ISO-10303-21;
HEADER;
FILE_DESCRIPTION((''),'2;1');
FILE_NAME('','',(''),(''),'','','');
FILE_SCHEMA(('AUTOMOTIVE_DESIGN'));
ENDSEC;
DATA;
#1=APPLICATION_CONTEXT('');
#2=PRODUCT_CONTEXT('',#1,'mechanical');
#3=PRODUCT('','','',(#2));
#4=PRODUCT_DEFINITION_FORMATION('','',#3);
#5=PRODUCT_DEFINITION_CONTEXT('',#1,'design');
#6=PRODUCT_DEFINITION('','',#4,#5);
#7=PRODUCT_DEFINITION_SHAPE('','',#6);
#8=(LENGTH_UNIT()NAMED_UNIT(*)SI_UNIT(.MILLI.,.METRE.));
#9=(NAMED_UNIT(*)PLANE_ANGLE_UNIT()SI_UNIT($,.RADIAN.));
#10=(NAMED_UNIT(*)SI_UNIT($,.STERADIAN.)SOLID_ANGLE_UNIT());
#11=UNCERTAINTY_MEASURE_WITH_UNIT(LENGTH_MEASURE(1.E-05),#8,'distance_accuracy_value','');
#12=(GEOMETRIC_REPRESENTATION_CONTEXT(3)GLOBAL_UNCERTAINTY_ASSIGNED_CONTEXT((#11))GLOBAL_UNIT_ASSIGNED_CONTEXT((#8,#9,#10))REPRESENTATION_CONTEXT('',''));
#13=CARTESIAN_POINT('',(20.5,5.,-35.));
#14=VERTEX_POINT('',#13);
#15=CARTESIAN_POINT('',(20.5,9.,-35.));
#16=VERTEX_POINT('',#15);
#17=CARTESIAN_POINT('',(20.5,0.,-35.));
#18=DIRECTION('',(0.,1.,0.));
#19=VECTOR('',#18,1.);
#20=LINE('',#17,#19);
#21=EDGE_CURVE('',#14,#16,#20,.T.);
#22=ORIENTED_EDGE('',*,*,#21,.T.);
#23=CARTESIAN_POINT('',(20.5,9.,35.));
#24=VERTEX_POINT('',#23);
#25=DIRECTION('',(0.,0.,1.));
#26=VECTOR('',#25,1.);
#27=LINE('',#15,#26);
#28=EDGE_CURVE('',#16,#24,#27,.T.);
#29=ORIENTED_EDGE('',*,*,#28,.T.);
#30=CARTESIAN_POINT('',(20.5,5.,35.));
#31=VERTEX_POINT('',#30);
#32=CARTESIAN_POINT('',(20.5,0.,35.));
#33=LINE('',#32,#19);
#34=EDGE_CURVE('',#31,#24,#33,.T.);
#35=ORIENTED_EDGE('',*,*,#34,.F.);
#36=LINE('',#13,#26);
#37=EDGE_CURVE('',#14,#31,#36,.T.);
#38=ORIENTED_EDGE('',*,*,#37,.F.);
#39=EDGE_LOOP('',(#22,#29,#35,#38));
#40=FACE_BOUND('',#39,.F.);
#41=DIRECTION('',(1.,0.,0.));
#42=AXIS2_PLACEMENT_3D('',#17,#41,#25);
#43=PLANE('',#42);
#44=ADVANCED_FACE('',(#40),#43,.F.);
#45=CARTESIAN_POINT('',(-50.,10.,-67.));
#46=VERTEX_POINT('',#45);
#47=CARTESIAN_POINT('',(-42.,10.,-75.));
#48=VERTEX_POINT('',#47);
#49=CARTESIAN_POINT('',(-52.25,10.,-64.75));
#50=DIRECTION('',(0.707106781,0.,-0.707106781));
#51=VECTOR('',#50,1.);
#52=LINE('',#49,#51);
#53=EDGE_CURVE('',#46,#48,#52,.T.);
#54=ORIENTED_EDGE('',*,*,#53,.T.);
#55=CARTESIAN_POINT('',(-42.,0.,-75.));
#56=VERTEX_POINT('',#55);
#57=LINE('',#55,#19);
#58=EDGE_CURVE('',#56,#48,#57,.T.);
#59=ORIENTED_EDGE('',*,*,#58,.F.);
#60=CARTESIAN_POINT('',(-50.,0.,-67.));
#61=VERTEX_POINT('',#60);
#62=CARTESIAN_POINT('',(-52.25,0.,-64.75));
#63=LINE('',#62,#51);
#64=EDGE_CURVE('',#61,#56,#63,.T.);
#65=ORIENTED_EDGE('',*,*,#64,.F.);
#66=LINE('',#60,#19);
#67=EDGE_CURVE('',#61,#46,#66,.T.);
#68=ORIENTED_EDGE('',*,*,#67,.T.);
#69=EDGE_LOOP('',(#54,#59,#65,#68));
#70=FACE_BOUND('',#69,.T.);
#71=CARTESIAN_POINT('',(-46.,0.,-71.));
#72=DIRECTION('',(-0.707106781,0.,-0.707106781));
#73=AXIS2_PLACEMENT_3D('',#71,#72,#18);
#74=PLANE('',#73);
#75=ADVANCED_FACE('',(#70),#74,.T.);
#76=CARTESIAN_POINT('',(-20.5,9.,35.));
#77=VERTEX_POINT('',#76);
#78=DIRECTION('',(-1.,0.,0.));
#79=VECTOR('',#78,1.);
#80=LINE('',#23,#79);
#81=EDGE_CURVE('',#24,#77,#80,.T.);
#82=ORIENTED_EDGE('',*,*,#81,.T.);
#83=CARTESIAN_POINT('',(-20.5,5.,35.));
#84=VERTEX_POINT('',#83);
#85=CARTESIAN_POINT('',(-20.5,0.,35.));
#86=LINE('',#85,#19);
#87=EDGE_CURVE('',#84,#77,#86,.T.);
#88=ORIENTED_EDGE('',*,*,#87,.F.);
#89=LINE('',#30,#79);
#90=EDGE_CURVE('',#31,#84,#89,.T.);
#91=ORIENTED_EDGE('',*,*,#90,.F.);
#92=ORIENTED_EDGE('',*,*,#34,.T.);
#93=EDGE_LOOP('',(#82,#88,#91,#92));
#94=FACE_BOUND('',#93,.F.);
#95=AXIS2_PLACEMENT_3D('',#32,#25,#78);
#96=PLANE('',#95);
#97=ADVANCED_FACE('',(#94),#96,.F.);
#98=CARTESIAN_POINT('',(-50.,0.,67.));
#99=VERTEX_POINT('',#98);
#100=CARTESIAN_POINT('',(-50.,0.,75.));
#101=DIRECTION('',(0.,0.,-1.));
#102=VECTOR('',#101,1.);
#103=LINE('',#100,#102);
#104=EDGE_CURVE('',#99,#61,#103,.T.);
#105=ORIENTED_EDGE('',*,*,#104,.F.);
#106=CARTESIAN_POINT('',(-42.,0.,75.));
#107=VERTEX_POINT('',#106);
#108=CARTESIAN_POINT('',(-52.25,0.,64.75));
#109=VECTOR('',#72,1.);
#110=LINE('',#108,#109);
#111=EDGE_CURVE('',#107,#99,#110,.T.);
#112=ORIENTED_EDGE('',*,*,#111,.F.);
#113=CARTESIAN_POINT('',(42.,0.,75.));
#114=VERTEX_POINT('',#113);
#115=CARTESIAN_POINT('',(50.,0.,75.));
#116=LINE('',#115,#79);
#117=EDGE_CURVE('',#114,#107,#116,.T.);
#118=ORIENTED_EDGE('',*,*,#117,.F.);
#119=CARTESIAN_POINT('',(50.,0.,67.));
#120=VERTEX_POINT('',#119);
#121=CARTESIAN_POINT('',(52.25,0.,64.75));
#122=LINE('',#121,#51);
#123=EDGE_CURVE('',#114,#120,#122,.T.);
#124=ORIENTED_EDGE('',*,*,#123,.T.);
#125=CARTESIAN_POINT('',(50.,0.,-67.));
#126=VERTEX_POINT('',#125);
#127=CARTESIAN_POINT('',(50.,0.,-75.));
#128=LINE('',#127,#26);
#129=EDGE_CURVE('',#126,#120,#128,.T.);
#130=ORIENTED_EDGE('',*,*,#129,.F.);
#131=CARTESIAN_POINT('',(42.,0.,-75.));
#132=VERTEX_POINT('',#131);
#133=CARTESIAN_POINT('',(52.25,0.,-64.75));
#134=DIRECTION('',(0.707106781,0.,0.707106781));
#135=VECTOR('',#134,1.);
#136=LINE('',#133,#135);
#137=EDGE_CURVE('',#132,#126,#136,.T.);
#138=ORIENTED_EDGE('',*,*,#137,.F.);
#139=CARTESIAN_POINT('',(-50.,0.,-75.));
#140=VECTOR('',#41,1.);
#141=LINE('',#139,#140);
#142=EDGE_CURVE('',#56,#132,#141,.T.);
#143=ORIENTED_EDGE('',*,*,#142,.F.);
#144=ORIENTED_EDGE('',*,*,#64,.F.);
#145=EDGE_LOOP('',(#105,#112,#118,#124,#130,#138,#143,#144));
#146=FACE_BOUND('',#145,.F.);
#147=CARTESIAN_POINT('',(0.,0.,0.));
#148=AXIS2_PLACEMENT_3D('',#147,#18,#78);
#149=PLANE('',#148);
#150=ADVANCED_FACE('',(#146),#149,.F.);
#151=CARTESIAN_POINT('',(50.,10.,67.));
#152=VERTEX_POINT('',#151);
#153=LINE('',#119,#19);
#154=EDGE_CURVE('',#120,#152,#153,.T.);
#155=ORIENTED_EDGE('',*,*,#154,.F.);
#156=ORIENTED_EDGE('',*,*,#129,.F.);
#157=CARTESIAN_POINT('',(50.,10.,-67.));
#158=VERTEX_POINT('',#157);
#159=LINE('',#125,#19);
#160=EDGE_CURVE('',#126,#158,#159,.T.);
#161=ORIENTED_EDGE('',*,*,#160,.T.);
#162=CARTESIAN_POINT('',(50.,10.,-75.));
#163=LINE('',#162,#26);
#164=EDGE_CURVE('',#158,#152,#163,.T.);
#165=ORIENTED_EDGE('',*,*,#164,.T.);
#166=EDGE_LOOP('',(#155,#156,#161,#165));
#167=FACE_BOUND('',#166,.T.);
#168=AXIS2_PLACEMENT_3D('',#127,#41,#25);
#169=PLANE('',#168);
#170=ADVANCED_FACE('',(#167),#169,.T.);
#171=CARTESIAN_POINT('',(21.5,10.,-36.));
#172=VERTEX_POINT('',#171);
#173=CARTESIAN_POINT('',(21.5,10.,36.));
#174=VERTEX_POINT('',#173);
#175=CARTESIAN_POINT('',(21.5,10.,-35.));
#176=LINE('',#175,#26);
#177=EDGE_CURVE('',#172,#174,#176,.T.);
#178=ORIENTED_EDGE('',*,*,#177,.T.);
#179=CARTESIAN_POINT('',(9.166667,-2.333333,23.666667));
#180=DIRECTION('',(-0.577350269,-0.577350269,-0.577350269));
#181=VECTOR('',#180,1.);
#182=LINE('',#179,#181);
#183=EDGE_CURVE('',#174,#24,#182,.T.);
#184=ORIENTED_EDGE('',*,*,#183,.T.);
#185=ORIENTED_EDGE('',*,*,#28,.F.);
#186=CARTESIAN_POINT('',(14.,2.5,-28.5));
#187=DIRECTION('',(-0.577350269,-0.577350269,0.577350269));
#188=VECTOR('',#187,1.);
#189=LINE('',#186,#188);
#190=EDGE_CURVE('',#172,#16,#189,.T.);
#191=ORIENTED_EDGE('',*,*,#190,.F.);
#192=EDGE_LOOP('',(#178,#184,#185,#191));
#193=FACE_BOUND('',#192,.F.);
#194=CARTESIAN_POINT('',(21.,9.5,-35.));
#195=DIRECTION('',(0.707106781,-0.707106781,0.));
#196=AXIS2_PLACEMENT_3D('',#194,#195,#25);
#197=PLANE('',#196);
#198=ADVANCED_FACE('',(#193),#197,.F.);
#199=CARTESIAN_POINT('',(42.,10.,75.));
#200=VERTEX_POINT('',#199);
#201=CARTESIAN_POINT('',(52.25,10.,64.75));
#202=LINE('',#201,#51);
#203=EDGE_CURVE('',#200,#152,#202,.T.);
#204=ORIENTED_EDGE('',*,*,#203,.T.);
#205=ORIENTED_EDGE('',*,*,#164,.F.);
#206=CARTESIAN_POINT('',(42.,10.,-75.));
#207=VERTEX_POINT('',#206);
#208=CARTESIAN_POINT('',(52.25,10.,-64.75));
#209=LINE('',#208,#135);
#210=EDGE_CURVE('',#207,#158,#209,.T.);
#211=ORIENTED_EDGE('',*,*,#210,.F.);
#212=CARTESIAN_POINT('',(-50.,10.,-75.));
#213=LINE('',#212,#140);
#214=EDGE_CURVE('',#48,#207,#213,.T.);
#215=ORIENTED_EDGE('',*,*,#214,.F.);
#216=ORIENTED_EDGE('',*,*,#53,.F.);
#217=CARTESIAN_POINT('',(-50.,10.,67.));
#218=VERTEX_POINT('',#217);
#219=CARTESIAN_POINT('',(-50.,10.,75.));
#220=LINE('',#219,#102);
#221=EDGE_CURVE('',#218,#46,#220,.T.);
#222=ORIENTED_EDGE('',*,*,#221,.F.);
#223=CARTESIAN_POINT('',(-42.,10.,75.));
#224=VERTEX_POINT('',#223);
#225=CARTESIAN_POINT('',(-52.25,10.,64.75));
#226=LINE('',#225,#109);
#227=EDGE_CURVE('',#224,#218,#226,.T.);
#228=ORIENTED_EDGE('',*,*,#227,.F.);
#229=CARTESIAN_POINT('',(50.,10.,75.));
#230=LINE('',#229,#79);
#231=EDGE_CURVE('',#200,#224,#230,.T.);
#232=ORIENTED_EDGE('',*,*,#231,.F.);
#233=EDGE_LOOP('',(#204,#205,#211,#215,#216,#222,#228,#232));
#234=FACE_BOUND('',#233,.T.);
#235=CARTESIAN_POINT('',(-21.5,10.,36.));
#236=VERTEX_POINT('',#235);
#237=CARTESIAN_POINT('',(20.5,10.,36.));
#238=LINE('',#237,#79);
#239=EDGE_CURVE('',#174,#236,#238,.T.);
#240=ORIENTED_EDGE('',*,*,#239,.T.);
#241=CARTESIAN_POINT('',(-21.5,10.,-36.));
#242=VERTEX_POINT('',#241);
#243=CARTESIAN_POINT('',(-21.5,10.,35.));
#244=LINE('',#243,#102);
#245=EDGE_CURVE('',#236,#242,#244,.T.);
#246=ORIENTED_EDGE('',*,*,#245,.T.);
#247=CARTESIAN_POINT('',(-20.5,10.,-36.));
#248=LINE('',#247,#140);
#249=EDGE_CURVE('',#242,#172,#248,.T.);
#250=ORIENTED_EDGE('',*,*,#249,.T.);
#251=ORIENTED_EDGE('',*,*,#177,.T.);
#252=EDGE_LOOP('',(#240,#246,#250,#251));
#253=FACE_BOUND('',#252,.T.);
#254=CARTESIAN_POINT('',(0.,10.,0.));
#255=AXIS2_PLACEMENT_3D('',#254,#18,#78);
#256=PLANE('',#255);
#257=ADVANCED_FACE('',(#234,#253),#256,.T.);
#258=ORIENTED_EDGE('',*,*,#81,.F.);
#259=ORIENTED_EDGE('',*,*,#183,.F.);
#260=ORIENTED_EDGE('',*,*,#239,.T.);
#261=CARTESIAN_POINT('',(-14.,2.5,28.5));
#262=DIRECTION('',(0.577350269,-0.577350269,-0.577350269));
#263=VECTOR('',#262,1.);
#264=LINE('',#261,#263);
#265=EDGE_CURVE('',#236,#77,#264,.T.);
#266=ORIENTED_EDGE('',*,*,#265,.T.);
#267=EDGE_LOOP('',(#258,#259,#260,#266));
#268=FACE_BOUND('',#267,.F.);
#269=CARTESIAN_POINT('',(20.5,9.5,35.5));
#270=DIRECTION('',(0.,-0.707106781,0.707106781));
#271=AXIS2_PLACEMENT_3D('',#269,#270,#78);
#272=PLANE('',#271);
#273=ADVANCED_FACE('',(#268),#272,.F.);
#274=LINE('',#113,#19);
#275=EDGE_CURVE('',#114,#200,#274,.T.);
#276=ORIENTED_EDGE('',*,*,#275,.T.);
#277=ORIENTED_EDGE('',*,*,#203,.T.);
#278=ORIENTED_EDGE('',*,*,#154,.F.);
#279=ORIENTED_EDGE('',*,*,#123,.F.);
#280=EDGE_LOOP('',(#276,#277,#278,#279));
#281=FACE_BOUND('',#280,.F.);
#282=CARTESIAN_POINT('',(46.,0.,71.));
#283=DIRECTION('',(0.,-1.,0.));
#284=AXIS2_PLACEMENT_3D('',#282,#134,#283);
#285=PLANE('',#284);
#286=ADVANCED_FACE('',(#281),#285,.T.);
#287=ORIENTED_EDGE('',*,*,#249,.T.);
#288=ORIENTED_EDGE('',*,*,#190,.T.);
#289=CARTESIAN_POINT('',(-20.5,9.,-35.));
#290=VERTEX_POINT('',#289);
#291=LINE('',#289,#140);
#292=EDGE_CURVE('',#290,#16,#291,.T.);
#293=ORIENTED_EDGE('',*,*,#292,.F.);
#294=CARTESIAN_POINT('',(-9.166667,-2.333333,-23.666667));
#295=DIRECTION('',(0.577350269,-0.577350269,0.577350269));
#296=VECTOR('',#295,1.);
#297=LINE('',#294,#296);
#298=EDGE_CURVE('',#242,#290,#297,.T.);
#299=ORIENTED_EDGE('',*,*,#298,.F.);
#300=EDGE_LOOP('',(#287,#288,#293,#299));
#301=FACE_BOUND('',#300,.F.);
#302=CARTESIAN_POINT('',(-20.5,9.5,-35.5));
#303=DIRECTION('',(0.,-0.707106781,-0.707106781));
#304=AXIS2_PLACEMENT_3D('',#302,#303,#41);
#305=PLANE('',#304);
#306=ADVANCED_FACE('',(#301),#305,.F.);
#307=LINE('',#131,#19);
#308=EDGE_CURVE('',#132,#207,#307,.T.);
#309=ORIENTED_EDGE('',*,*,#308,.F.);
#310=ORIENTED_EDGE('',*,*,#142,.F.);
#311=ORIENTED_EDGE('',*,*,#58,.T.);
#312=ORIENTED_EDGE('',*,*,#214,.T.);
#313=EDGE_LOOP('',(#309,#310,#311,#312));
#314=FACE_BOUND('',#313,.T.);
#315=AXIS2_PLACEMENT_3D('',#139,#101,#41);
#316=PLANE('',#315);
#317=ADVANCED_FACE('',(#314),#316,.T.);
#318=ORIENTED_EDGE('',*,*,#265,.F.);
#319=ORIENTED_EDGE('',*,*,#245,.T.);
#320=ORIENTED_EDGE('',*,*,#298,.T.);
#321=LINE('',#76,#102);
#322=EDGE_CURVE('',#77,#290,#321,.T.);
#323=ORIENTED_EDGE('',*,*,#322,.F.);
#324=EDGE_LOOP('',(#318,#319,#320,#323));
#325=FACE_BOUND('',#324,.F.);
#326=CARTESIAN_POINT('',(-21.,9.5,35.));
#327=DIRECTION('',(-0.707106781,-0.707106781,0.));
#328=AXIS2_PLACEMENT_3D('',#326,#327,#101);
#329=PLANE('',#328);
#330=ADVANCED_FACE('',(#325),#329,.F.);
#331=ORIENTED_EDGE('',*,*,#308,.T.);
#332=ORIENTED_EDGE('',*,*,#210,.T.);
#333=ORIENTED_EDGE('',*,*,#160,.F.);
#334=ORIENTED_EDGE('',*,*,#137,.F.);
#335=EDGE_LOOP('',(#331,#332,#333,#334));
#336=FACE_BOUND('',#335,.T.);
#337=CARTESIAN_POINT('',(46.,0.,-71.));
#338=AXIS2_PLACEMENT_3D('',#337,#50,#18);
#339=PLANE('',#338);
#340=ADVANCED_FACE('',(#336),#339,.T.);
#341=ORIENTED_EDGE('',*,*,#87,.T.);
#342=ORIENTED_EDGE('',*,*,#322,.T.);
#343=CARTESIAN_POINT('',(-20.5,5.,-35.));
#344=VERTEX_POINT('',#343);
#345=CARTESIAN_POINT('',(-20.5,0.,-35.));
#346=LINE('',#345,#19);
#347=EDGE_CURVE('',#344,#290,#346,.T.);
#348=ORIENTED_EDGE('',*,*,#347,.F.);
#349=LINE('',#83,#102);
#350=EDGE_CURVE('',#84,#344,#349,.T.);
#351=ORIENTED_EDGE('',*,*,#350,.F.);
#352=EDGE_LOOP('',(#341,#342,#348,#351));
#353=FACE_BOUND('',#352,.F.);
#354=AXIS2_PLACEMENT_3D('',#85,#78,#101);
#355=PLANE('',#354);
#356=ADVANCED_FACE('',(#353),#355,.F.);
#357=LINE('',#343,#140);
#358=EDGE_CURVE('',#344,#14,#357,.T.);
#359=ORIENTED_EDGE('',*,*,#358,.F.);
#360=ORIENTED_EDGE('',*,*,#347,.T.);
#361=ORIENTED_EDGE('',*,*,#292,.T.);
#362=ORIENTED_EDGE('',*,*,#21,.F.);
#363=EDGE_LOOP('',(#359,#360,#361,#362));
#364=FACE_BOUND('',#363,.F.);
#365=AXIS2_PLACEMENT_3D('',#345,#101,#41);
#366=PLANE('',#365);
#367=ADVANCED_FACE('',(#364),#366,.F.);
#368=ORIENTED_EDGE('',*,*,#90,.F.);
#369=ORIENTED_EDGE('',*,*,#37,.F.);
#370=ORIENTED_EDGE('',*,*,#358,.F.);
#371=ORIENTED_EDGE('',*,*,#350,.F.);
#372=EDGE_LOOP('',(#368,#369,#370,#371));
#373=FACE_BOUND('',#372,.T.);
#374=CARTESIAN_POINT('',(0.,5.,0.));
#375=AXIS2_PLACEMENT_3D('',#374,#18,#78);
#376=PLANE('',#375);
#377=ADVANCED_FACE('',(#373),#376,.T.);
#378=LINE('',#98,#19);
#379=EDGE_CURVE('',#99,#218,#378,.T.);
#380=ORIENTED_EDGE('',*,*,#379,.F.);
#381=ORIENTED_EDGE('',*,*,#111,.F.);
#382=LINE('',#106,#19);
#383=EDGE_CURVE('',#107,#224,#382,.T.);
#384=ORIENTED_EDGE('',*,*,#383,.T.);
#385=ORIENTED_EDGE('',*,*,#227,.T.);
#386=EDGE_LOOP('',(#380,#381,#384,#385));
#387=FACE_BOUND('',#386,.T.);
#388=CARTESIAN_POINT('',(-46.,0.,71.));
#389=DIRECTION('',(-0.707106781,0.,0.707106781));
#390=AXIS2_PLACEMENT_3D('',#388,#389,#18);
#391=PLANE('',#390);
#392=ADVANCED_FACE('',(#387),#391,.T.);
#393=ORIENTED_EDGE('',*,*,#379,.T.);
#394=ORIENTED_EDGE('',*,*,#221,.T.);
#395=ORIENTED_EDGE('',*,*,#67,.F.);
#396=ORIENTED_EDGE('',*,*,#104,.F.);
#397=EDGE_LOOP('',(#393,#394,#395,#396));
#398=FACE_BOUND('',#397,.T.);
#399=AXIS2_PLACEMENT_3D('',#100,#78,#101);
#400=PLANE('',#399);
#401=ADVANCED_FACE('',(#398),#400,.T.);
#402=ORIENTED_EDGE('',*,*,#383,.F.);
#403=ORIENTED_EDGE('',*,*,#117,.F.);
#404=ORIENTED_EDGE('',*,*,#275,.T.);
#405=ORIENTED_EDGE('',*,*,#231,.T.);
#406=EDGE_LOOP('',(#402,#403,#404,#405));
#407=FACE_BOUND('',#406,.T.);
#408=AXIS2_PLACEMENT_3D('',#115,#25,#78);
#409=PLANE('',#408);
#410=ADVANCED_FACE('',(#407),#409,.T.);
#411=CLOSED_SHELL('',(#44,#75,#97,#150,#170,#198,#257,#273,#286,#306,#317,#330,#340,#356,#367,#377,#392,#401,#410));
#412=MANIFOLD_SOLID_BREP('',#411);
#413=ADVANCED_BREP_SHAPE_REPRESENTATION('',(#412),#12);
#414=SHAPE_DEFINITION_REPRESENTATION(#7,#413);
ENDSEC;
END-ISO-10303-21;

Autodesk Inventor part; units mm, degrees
ref_plane "YZ Plane" through (0, 0, 0) normal (1, 0, 0) x (0, 1, 0)
ref_plane "XZ Plane" through (0, 0, 0) normal (0, 1, 0) x (-1, 0, 0)
ref_plane "XY Plane" through (0, 0, 0) normal (0, 0, 1) x (1, 0, 0)
sketch "Sketch1" plane through (0, 0, 0) normal (0, 1, 0) x (-1, 0, 0)
  line L0 (-20.5, 35) -> (20.5, 35)
  line L1 (20.5, 35) -> (20.5, -35)
  line L2 (20.5, -35) -> (-20.5, -35)
  line L3 (-20.5, -35) -> (-20.5, 35)
  line L4 (-20.5, 35) -> (20.5, -35) construction
  line L5 (20.5, 35) -> (-20.5, -35) construction
  line L6 (-50, 75) -> (50, 75)
  line L7 (50, 75) -> (50, -75)
  line L8 (50, -75) -> (-50, -75)
  line L9 (-50, -75) -> (-50, 75)
  line L10 (-50, 75) -> (50, -75) construction
  line L11 (50, 75) -> (-50, -75) construction
  point P0 (0, 0)
  dimension "d0" = 41
  dimension "d1" = 70
  dimension "d2" = 150
  dimension "d3" = 100
extrude "Extrusion1" add sketch "Sketch1" along normal blind 10
extrude "Extrusion2" add sketch "Sketch1" along normal blind 5 contours L0 L1 L2 L3
chamfer "Chamfer1" distance 1 angle 45 4 edges at (-20.5, 10, 0) (0, 10, 35) (0, 10, -35) (20.5, 10, 0)
chamfer "Chamfer2" distance 8 angle 45 4 edges at (-50, 5, 75) (-50, 5, -75) (50, 5, -75) (50, 5, 75)
properties part number "pallet"
